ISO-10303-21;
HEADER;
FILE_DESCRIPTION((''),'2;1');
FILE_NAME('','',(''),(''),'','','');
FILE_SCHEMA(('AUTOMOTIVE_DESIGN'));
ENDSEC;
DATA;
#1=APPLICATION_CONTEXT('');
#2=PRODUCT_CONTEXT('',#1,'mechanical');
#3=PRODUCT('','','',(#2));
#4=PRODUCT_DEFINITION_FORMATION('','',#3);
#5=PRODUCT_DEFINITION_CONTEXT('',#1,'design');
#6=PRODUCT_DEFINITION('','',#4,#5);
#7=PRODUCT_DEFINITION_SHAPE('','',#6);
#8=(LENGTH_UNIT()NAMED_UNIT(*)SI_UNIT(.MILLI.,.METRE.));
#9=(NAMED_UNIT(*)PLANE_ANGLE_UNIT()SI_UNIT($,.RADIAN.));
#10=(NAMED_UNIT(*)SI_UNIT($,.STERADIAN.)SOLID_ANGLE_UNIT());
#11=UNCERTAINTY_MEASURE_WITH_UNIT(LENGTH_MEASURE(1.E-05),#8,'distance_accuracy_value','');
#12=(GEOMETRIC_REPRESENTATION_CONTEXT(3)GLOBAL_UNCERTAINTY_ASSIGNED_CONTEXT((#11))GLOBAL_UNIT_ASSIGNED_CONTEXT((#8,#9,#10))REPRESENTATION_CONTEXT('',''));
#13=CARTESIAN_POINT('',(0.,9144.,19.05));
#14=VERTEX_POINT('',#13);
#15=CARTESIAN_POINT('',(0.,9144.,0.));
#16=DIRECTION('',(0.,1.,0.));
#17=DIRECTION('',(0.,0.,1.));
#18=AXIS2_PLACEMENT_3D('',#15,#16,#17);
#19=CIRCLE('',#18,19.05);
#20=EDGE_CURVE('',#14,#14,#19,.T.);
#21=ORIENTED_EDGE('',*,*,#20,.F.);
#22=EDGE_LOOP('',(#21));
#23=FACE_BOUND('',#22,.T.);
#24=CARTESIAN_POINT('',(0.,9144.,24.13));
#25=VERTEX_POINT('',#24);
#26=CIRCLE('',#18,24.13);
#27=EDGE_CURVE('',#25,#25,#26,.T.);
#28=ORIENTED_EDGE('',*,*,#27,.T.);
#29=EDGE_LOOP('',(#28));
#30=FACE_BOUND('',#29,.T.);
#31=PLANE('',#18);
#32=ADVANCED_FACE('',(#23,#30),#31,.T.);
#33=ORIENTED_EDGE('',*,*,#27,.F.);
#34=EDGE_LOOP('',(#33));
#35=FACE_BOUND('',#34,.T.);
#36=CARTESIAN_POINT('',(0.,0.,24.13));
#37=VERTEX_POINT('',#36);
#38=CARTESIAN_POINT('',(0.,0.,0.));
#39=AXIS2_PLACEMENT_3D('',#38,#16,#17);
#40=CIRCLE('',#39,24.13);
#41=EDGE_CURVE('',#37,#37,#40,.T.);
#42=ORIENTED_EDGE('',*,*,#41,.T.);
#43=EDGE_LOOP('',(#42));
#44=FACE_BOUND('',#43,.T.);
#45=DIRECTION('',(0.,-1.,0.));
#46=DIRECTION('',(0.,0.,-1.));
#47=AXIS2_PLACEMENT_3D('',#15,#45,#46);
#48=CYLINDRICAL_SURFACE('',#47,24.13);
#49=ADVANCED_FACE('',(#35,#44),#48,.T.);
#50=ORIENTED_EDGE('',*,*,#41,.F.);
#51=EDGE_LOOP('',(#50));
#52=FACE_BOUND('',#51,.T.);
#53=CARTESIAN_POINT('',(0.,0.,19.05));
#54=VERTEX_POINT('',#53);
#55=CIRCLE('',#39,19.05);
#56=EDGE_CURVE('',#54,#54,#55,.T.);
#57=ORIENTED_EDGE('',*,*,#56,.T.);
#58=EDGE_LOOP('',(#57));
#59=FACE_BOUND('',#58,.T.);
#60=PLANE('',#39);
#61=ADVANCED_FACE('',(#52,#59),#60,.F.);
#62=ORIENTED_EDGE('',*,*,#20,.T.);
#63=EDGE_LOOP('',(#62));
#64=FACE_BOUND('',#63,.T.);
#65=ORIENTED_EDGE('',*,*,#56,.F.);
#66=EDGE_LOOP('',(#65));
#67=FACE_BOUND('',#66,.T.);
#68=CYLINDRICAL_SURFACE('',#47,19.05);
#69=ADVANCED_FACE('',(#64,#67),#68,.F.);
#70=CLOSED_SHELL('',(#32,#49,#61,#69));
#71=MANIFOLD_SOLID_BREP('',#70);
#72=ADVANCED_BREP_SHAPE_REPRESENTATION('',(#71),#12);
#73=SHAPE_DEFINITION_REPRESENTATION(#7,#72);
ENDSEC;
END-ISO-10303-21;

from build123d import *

# Parameters (mm, degrees)
SKETCH1_R           = 24.13
SKETCH1_R_2         = 19.05
BOSS_EXTRUDE1_DEPTH = 9144


with BuildPart() as part:
    # Sketch1 → Boss-Extrude1 (new body)
    with BuildSketch(Plane(origin=(0, 0, 0), x_dir=(1, 0, 0), z_dir=(0, 1, 0))):
        with Locations(Location((0, 0, 0), (0, 0, 270))):
            Circle(SKETCH1_R)
        with Locations(Location((0, 0, 0), (0, 0, 270))):
            Circle(SKETCH1_R_2, mode=Mode.SUBTRACT)
    extrude(amount=BOSS_EXTRUDE1_DEPTH)


solid = part.part
